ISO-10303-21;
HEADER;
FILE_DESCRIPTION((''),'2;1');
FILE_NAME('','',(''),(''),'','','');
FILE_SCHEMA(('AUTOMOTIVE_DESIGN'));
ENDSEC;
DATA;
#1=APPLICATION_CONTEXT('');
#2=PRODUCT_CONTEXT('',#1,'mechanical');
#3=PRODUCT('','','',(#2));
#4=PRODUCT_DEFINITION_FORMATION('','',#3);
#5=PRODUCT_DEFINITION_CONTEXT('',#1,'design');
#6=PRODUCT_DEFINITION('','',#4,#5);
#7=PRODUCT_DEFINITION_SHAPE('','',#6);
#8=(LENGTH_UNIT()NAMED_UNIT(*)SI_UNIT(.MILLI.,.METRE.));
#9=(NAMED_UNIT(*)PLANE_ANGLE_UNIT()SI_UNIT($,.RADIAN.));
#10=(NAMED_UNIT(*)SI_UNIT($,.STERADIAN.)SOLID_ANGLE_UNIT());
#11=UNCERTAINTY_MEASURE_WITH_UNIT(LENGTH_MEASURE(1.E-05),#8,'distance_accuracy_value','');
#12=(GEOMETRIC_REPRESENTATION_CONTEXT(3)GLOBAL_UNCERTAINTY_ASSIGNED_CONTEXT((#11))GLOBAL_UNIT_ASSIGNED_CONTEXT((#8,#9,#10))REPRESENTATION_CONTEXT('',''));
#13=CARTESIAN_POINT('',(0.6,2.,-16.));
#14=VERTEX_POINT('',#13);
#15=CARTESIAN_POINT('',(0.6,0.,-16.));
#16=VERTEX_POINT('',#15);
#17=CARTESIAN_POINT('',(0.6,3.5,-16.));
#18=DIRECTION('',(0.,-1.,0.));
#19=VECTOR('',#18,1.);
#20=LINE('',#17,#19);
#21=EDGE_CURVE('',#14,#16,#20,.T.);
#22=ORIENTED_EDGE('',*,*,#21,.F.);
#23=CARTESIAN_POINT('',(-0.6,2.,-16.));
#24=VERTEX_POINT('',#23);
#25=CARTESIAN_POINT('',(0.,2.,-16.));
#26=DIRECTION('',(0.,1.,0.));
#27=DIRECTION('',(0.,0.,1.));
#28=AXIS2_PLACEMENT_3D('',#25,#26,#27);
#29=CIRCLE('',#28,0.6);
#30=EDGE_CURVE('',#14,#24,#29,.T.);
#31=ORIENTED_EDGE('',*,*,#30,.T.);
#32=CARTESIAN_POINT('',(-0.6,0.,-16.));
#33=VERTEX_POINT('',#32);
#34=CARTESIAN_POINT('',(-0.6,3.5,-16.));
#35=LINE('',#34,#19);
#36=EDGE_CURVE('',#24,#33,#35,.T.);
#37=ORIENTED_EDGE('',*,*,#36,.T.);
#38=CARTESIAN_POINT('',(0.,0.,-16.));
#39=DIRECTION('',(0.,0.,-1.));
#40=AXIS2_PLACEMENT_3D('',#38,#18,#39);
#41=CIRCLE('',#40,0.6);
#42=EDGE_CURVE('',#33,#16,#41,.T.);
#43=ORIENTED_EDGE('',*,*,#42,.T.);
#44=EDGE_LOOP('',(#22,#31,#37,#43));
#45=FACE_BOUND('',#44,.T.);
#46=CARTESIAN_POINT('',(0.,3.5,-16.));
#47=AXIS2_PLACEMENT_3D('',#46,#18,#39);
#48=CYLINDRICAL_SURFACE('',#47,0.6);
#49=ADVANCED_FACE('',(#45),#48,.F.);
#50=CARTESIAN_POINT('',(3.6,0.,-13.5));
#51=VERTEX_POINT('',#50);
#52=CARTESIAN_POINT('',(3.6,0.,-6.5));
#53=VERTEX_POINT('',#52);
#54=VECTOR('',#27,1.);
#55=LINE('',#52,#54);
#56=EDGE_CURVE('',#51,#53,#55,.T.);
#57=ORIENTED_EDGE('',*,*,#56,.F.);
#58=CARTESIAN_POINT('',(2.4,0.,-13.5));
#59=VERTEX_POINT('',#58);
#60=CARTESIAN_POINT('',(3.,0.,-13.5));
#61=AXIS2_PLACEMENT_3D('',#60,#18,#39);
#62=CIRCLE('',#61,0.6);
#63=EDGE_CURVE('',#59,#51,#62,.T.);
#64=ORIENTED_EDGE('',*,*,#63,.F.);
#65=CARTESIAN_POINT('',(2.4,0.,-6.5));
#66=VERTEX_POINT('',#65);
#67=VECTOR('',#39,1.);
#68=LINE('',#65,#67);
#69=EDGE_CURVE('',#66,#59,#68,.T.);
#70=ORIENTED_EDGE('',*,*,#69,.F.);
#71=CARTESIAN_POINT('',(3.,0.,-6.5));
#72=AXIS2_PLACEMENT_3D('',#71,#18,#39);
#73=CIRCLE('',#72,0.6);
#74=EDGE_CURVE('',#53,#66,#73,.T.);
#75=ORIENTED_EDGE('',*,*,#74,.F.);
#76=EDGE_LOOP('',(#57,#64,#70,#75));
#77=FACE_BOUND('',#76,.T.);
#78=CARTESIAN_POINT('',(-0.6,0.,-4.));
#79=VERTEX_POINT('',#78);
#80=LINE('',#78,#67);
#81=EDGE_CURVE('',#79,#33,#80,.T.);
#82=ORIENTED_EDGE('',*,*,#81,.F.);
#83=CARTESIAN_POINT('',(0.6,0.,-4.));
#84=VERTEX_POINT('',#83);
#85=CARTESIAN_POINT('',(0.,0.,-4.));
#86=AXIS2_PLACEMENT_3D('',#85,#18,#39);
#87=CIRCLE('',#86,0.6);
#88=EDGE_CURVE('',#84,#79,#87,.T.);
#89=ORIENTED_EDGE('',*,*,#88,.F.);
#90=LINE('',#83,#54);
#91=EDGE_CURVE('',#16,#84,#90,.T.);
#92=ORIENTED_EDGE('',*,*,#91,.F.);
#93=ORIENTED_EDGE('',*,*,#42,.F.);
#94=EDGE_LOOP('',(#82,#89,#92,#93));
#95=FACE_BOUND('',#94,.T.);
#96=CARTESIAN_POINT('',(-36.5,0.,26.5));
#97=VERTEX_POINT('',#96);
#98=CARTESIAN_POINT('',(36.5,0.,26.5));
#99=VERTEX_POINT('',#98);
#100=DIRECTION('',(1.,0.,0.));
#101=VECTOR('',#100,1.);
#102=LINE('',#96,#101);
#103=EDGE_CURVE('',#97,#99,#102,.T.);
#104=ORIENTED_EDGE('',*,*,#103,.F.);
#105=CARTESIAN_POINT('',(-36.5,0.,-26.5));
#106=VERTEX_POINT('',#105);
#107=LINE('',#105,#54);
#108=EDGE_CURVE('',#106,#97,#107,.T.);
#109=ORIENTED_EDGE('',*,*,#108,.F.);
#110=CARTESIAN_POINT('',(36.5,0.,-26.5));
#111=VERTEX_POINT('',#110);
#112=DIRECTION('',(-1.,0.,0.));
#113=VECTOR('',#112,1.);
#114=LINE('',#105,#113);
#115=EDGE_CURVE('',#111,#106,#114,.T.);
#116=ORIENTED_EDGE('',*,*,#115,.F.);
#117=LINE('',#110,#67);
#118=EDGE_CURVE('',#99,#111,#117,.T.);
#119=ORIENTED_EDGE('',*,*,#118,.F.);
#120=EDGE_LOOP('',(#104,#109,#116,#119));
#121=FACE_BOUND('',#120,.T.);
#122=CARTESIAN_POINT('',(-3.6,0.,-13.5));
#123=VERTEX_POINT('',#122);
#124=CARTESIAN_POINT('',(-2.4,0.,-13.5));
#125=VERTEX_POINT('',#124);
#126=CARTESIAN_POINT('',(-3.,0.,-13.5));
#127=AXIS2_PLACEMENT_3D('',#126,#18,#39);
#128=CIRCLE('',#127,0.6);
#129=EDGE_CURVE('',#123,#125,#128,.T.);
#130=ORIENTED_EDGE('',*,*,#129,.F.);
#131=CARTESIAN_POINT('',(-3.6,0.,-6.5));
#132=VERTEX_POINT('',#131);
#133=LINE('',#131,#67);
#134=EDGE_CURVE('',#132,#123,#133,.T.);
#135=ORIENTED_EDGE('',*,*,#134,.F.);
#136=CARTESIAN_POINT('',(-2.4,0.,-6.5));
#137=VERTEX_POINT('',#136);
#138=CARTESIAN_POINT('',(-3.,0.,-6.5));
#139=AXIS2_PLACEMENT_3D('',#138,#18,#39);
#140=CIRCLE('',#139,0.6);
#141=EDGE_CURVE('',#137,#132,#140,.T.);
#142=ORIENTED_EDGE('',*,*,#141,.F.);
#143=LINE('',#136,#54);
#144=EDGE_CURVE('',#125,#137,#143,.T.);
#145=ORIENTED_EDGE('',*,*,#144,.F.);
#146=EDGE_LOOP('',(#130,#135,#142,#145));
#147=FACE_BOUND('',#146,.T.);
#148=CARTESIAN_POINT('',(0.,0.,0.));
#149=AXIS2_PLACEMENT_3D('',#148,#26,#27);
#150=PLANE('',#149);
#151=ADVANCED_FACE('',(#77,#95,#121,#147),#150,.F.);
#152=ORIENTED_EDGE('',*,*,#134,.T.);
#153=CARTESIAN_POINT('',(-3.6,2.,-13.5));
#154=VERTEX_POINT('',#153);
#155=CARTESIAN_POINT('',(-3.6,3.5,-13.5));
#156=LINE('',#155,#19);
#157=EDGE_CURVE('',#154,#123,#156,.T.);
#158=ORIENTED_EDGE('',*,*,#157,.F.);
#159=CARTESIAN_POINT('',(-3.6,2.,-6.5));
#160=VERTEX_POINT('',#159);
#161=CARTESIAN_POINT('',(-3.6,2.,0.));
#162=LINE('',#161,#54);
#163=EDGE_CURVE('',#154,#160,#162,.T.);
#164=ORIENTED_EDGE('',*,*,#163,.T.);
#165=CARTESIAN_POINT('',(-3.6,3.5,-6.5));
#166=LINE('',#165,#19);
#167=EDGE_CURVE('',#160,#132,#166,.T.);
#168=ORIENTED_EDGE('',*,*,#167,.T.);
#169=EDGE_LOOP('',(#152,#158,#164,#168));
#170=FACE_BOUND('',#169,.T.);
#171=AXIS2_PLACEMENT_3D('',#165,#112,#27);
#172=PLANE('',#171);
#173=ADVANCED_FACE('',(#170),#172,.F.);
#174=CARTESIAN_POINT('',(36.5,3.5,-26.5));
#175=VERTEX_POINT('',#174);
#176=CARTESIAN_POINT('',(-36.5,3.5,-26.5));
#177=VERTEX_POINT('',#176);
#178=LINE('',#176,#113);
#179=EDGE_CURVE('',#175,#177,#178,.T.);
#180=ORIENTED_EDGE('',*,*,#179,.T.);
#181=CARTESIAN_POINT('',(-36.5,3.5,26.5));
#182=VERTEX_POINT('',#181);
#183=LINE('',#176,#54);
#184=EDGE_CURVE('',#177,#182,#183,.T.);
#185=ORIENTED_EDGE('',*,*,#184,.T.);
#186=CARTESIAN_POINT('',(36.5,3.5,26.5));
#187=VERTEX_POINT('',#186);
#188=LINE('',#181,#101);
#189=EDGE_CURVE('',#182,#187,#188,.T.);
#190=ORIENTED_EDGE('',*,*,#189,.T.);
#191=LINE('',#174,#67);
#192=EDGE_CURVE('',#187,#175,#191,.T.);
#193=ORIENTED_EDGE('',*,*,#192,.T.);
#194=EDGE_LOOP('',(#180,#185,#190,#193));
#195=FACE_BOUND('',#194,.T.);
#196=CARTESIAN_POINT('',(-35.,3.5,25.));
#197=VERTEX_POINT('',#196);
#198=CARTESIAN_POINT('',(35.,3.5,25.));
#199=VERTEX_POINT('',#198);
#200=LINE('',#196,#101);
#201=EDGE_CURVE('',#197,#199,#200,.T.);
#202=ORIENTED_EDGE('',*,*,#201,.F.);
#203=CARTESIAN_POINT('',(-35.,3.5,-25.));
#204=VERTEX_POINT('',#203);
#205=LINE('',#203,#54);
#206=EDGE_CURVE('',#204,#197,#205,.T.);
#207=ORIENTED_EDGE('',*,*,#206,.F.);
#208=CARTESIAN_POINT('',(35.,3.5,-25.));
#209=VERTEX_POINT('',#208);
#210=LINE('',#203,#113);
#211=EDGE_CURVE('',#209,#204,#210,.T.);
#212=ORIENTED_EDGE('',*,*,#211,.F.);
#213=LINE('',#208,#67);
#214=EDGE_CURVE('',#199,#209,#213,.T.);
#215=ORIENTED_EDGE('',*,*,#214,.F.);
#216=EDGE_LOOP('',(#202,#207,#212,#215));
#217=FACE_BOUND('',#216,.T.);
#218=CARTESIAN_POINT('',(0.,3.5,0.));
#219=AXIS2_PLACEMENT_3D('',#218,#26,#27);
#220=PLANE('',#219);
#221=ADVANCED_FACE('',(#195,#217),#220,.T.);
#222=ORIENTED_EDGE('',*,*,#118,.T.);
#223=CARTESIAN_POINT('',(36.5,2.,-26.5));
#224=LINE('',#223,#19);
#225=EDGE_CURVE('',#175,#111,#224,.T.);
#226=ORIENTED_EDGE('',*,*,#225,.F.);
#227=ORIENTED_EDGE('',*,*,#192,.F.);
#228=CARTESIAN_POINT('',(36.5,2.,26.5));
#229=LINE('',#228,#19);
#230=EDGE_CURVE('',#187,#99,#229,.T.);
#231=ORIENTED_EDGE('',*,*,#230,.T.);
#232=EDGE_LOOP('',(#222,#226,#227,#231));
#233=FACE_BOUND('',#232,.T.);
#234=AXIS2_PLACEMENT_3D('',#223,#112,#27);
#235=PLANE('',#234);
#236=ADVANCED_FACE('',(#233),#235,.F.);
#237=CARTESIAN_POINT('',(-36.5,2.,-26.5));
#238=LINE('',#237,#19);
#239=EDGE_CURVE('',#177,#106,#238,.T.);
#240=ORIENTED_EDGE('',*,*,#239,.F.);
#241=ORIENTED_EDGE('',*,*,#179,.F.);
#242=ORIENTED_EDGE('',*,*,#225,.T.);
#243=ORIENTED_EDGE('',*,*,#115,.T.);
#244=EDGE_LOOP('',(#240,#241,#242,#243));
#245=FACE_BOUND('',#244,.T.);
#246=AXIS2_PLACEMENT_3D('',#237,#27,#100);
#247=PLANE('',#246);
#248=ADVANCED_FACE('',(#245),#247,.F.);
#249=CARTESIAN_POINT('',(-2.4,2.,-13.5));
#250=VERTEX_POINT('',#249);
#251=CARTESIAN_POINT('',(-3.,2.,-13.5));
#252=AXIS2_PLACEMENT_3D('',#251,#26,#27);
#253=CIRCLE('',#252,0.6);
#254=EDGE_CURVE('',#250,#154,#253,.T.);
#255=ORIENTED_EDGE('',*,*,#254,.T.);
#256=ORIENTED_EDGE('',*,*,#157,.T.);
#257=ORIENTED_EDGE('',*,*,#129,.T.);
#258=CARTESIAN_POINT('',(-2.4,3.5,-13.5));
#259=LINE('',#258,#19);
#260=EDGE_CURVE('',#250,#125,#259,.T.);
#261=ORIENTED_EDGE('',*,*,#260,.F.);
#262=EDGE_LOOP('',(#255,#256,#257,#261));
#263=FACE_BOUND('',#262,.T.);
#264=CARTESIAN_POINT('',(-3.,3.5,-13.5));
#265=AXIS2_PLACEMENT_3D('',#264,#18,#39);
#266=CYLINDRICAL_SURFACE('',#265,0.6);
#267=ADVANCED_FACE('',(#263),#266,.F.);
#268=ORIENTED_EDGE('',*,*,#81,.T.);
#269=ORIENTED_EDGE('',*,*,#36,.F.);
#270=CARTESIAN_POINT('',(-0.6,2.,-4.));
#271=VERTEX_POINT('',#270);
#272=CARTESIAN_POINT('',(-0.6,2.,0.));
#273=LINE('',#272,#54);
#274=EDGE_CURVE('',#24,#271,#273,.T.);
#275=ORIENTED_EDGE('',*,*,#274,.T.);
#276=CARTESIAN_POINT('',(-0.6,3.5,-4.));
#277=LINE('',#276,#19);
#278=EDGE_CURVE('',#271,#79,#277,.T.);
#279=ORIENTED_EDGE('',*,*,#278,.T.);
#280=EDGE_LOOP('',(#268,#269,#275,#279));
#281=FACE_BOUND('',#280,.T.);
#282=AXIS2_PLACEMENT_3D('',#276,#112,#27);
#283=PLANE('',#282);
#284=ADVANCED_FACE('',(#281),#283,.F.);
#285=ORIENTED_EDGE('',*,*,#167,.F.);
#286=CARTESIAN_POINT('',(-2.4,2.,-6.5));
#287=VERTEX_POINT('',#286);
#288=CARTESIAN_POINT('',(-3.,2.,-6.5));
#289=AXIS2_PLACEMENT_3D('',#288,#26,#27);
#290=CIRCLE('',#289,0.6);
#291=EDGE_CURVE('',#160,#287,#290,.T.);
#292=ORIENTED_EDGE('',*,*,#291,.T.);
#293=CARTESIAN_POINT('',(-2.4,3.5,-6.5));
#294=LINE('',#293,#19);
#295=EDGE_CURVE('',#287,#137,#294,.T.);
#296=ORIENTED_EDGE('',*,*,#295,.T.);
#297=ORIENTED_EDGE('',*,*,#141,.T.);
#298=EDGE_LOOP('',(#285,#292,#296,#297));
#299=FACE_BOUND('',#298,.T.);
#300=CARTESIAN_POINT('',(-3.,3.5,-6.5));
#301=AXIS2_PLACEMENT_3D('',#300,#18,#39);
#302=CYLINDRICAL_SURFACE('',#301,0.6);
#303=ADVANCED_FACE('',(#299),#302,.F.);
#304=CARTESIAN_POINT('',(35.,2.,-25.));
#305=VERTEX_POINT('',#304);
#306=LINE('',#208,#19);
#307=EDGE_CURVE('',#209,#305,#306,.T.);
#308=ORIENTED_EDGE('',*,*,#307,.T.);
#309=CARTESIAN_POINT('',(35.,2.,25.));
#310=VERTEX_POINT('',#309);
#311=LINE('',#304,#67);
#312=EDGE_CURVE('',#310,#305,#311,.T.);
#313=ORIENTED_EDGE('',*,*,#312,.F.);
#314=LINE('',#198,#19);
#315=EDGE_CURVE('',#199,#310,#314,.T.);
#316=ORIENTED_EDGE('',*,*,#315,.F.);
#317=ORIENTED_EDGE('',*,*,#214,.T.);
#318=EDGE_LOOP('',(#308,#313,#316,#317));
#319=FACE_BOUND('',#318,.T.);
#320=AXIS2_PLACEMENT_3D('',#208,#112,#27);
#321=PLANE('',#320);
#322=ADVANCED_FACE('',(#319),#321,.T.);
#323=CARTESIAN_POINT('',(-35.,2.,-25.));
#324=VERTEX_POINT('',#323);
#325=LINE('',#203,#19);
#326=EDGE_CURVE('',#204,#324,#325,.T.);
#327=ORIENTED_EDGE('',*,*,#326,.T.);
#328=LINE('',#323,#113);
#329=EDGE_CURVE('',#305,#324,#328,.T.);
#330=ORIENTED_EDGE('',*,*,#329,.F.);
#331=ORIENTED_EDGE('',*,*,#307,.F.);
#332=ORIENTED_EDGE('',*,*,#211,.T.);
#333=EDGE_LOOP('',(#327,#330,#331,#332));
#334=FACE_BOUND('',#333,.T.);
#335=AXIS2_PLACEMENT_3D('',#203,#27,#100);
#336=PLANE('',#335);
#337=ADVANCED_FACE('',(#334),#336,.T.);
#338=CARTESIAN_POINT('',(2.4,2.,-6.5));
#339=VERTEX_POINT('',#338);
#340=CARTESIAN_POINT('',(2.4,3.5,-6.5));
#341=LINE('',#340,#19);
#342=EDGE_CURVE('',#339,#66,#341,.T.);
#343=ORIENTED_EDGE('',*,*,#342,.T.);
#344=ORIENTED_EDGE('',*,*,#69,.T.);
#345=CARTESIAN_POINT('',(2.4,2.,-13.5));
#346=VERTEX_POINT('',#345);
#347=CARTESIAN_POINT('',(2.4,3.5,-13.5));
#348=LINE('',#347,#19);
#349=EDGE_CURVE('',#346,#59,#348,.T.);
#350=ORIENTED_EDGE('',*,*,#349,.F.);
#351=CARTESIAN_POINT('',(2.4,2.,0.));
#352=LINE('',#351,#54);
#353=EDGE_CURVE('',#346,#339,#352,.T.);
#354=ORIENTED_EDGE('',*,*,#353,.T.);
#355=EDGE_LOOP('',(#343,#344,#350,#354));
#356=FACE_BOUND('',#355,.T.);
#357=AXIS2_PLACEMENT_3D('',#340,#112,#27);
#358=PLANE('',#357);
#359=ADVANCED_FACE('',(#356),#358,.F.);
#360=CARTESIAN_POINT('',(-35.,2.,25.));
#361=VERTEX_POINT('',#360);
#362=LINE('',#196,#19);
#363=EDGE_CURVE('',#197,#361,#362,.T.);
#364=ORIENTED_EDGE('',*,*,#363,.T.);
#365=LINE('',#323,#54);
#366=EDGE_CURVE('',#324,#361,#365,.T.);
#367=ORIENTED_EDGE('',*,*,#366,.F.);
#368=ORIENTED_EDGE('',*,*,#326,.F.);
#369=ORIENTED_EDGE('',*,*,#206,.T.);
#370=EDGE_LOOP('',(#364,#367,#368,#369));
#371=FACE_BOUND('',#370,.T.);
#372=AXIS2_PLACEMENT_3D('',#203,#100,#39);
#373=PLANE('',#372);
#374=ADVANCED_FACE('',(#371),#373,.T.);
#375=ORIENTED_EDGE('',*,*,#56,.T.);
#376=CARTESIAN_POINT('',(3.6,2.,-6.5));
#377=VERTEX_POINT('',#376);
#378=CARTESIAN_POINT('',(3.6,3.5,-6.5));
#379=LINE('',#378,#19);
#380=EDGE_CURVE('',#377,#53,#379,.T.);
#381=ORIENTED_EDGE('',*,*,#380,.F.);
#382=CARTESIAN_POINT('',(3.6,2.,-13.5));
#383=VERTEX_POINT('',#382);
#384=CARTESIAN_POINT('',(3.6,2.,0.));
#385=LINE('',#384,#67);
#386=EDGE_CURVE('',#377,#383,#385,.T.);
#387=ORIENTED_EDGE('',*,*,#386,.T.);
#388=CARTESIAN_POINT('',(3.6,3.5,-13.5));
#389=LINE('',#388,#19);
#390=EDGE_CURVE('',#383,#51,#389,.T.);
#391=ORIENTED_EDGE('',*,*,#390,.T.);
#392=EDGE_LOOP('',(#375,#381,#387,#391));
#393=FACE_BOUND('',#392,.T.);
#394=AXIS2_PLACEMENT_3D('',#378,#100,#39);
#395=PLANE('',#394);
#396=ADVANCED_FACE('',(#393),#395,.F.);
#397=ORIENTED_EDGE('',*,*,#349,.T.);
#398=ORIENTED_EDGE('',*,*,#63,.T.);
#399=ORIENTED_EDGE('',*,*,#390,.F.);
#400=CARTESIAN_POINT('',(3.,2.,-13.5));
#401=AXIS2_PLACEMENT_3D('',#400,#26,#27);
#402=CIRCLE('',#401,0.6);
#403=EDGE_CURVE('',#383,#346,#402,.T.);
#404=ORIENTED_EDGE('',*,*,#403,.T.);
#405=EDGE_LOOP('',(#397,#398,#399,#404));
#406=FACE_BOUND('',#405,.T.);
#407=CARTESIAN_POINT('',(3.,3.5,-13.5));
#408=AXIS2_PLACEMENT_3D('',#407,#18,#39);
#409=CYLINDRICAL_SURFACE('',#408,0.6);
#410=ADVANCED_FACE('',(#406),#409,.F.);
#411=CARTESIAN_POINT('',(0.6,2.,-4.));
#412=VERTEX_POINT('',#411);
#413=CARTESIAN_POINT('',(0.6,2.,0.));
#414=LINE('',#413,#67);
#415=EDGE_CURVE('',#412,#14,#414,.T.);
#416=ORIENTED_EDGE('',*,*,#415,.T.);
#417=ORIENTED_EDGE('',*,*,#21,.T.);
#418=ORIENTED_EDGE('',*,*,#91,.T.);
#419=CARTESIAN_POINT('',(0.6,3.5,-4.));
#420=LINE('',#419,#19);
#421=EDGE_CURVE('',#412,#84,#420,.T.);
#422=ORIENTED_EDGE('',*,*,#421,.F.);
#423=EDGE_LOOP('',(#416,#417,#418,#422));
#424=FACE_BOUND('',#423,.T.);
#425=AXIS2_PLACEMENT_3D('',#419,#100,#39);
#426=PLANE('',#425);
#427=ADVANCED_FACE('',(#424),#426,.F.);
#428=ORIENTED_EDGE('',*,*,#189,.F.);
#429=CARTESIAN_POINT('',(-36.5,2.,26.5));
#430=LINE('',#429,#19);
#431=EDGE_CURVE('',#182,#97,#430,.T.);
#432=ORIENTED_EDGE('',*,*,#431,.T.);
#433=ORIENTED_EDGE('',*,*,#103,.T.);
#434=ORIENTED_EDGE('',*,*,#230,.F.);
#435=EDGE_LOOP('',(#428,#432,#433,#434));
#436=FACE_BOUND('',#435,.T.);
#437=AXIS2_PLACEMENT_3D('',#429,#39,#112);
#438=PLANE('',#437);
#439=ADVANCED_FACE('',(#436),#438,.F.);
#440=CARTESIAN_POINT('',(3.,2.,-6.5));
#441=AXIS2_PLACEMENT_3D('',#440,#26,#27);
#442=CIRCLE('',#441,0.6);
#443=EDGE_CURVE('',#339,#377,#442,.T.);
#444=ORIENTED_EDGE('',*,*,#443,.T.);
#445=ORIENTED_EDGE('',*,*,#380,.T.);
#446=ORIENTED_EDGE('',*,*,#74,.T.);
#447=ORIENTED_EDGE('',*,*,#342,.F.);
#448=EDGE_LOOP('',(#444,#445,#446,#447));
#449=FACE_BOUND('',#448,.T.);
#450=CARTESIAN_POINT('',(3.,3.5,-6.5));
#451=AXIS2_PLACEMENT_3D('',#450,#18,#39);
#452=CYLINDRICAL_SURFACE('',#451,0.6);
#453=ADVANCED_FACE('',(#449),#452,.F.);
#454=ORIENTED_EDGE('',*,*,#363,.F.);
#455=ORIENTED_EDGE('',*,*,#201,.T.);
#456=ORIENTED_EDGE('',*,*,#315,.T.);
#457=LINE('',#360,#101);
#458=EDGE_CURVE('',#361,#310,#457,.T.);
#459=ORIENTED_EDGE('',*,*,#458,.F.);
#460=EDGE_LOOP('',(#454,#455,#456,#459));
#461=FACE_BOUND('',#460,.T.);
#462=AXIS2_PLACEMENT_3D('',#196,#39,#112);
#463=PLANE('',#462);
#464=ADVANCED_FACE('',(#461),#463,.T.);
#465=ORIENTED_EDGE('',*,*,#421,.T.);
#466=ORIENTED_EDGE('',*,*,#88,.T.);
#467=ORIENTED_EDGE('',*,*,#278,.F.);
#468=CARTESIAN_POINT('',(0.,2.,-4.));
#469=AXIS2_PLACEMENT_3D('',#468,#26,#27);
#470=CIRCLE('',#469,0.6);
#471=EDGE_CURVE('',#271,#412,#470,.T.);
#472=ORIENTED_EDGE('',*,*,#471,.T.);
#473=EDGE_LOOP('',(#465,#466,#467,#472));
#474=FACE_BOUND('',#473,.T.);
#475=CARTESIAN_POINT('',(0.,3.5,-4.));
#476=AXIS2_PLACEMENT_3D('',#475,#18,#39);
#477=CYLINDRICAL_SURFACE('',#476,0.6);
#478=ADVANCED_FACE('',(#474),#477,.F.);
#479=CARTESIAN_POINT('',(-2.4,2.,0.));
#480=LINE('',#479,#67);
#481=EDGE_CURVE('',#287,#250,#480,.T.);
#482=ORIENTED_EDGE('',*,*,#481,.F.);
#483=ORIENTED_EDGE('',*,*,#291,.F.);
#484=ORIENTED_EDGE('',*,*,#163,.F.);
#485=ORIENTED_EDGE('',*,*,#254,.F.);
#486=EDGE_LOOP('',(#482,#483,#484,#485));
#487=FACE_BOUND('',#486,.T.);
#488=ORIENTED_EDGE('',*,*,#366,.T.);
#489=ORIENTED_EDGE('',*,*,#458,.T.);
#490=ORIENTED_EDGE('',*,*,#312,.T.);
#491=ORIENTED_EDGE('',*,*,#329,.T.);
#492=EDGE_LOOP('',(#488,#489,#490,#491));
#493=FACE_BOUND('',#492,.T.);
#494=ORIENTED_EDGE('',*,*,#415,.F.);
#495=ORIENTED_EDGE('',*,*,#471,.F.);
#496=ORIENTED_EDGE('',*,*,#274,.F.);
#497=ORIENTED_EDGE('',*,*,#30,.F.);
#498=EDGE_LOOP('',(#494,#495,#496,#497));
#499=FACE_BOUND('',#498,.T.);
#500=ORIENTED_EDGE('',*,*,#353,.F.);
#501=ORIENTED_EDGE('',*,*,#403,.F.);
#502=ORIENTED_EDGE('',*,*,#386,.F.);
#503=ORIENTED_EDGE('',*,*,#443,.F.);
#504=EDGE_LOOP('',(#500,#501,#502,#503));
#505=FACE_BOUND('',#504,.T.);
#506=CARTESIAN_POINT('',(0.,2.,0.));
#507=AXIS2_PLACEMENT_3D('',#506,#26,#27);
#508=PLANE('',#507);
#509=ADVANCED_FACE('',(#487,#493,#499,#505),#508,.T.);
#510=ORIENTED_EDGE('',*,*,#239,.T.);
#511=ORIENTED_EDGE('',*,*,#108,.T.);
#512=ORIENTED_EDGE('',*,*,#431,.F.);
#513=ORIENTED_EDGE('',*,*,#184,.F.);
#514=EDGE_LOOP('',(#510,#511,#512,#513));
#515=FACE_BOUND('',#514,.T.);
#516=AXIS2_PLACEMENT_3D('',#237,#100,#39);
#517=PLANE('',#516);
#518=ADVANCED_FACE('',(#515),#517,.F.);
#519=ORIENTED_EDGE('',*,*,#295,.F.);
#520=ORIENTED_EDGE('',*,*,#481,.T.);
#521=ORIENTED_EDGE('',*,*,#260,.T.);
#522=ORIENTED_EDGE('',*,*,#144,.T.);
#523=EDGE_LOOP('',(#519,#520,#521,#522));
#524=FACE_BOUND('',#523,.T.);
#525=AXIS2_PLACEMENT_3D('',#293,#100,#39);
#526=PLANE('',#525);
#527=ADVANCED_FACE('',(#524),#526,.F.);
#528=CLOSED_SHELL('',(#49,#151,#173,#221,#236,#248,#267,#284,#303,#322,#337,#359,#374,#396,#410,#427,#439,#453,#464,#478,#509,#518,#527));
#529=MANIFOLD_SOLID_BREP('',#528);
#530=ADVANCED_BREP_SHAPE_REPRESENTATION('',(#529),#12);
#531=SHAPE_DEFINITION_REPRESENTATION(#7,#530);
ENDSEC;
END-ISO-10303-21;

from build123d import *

# Parameters (mm, degrees)
SKETCH1_W           = 73
SKETCH1_H           = 53
BOSS_EXTRUDE1_DEPTH = 2
SKETCH2_W           = 73
SKETCH2_H           = 53
SKETCH2_W_2         = 70
SKETCH2_H_2         = 50
BOSS_EXTRUDE2_DEPTH = 1.5
CUT_EXTRUDE1_DEPTH  = 4.5


with BuildPart() as part:
    # Sketch1 → Boss-Extrude1 (new body)
    with BuildSketch(Plane(origin=(0, 0, 0), x_dir=(1, 0, 0), z_dir=(0, 1, 0))):
        Rectangle(SKETCH1_W, SKETCH1_H)
    extrude(amount=BOSS_EXTRUDE1_DEPTH)

    # Sketch2 → Boss-Extrude2 (add)
    with BuildSketch(Plane(origin=(0, 2, 0), x_dir=(1, 0, 0), z_dir=(0, 1, 0))):
        Rectangle(SKETCH2_W, SKETCH2_H)
        Rectangle(SKETCH2_W_2, SKETCH2_H_2, mode=Mode.SUBTRACT)
    extrude(amount=BOSS_EXTRUDE2_DEPTH)

    # Sketch3 → Cut-Extrude1 (cut, through all)
    with BuildSketch(Plane.XZ):
        with BuildLine():
            Line((0.6, -4), (0.6, -16))
            ThreePointArc((0.6, -16), (0, -16.6), (-0.6, -16))
            Line((-0.6, -16), (-0.6, -4))
            ThreePointArc((-0.6, -4), (0, -3.4), (0.6, -4))
        make_face()
        with BuildLine():
            Line((3.6, -6.5), (3.6, -13.5))
            ThreePointArc((3.6, -13.5), (3, -14.1), (2.4, -13.5))
            Line((2.4, -13.5), (2.4, -6.5))
            ThreePointArc((2.4, -6.5), (3, -5.9), (3.6, -6.5))
        make_face()
        with BuildLine():
            Line((-2.4, -6.5), (-2.4, -13.5))
            ThreePointArc((-2.4, -13.5), (-3, -14.1), (-3.6, -13.5))
            Line((-3.6, -13.5), (-3.6, -6.5))
            ThreePointArc((-3.6, -6.5), (-3, -5.9), (-2.4, -6.5))
        make_face()
    extrude(amount=-CUT_EXTRUDE1_DEPTH, mode=Mode.SUBTRACT)


solid = part.part
